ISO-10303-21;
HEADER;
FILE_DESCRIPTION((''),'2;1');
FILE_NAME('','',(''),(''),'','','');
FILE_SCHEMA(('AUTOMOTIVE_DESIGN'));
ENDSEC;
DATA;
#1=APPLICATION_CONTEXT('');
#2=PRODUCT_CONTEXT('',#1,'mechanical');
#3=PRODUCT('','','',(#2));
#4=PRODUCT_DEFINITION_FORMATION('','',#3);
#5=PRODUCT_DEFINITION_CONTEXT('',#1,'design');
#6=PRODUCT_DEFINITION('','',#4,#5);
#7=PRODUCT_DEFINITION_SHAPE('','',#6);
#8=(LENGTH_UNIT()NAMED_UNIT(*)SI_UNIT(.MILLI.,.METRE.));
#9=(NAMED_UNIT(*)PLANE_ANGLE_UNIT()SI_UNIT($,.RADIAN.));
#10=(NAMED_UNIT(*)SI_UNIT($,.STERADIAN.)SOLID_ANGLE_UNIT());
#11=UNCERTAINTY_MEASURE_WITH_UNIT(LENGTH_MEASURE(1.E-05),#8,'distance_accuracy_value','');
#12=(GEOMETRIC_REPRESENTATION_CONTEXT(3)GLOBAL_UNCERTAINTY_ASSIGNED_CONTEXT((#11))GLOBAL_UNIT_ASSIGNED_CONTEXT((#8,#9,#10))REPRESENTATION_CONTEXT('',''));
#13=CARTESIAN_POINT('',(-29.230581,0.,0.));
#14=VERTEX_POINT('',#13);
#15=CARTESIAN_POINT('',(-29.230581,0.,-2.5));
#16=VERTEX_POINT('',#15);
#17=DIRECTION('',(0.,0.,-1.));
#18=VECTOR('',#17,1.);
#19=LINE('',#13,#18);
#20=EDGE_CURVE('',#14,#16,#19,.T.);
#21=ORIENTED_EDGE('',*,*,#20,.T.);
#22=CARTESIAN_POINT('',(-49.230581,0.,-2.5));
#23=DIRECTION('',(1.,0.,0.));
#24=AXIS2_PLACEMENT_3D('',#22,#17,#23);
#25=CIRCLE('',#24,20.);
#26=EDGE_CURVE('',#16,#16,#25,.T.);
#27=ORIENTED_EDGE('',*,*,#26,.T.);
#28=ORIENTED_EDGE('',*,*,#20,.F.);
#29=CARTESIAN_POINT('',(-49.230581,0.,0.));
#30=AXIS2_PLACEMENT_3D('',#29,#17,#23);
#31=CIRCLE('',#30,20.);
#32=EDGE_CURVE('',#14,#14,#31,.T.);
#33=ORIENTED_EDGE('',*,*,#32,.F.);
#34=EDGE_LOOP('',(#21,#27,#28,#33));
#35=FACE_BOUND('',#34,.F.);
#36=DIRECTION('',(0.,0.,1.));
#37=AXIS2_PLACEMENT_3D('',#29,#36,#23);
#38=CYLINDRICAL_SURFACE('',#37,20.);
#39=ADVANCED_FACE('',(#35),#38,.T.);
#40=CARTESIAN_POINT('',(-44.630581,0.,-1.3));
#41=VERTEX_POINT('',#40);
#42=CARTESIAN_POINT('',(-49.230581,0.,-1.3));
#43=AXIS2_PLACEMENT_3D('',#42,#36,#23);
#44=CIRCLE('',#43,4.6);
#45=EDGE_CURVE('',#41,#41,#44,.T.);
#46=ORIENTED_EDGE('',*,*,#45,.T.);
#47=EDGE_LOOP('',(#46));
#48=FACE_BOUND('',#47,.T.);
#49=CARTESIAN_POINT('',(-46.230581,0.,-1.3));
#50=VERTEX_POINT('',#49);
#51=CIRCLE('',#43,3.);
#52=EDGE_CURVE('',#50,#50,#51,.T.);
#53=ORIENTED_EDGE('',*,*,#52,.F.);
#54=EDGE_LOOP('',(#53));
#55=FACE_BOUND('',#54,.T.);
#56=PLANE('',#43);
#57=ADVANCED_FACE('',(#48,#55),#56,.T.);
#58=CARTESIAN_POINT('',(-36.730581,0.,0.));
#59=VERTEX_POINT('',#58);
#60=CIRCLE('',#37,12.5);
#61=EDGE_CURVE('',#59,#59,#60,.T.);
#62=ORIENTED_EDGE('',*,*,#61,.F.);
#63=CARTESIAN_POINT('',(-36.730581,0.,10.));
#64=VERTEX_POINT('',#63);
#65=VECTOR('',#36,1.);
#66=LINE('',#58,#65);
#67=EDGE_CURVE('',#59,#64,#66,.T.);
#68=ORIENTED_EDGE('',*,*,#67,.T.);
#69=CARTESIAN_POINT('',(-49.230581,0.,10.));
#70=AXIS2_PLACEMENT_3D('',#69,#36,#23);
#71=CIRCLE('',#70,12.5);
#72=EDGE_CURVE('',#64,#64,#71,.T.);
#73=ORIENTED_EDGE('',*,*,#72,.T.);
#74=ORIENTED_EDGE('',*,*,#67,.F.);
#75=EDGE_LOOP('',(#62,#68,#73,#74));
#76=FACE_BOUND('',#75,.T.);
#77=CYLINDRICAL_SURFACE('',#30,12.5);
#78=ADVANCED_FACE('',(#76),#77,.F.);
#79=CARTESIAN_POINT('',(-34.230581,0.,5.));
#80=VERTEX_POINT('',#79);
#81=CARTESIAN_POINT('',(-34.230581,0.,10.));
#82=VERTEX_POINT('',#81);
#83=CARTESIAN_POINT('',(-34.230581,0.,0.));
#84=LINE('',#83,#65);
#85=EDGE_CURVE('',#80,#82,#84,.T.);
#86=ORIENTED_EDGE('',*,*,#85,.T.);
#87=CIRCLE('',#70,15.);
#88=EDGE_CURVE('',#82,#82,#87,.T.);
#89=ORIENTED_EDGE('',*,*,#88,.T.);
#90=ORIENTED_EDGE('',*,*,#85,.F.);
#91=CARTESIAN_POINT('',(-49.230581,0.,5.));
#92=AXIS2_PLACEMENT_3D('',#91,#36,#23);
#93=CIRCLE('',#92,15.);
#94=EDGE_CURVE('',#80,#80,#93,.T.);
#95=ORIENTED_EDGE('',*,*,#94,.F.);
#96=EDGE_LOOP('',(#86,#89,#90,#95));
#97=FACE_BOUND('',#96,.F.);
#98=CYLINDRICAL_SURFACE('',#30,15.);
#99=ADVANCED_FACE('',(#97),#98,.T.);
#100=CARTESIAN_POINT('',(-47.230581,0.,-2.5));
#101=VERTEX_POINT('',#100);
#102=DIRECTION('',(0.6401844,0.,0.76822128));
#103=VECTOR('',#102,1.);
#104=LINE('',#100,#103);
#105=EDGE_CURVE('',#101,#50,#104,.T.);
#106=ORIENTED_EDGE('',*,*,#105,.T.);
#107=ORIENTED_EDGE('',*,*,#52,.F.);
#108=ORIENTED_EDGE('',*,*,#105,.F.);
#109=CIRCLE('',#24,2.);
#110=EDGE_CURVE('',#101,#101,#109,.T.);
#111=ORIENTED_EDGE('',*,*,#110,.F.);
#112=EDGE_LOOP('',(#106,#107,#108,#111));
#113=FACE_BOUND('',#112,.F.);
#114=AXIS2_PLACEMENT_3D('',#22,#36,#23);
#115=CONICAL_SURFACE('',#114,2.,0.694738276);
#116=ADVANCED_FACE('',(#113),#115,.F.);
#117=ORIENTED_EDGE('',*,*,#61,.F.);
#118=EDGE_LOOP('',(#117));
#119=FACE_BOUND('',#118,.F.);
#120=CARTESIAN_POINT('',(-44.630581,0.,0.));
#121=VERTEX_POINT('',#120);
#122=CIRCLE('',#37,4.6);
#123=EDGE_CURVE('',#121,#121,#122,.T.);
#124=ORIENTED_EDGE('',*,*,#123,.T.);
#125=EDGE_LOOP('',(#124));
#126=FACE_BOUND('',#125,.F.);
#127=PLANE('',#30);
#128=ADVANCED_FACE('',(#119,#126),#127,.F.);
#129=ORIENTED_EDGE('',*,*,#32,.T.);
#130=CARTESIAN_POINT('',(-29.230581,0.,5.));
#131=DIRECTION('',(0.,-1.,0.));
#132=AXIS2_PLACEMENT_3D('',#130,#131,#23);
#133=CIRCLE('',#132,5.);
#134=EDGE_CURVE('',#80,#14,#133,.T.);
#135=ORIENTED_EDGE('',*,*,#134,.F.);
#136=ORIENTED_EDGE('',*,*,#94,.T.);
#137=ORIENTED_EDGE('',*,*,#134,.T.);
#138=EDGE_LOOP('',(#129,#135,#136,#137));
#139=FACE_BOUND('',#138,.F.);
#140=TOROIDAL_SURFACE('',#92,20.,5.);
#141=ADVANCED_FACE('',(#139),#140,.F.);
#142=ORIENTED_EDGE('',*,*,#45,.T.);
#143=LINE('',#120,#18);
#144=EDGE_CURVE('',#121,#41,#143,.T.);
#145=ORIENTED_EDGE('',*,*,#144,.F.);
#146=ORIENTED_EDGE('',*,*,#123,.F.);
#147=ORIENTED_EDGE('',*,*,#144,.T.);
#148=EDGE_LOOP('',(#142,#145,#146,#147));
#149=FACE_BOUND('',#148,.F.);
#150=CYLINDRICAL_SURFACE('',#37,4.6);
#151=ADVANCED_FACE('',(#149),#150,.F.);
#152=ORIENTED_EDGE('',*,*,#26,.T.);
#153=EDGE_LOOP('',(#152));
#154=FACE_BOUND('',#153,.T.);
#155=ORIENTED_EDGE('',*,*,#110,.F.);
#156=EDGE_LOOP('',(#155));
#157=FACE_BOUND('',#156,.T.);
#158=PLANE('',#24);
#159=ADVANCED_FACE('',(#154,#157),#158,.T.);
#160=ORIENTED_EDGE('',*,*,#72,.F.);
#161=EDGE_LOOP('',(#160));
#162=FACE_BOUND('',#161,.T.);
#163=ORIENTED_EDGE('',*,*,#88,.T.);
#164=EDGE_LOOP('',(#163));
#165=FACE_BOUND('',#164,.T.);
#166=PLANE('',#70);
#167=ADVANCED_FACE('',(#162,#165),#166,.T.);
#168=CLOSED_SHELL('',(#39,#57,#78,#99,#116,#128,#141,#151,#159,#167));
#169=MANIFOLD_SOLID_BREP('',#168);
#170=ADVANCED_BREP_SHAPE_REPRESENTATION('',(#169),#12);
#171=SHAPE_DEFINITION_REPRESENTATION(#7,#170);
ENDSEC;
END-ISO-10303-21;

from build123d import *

# Parameters (mm, degrees)
CYLINDER_R         = 12.5
CYLINDER_DEPTH     = 10
CYLINDER001_R      = 15
CYLINDER001_DEPTH  = 10
TORUS_R            = 5
TUBE_R             = 20
TUBE_R_2           = 15
TUBE_DEPTH         = 5
CIRCLE002_R        = 4.6
EXTRUSION002_DEPTH = 1.3
CIRCLE001_R        = 2
EXTRUSION001_DEPTH = 42.073439
CIRCLE_R           = 20
EXTRUSION_DEPTH    = 2.5


with BuildPart() as cylinder:
    # Cylinder → Cylinder (new body)
    with BuildSketch(Plane.XY):
        Circle(CYLINDER_R)
    extrude(amount=CYLINDER_DEPTH)


with BuildPart() as cut:
    # Cylinder001 → Cylinder001 (new body)
    with BuildSketch(Plane.XY):
        Circle(CYLINDER001_R)
    extrude(amount=CYLINDER001_DEPTH)

    # Cut: cut Cylinder
    add(cylinder.part, mode=Mode.SUBTRACT)


with BuildPart() as torus:
    # Torus → Torus (revolve)
    with BuildSketch(Plane(origin=(0, 0, 5), x_dir=(1, 0, 0), z_dir=(0, -1, 0))):
        with Locations((20, 0)):
            Circle(TORUS_R)
    revolve(axis=Axis((0, 0, 5), (0, 0, 1)))


with BuildPart() as fusion:
    # Tube → Tube (new body)
    with BuildSketch(Plane.XY):
        Circle(TUBE_R)
        Circle(TUBE_R_2, mode=Mode.SUBTRACT)
    extrude(amount=TUBE_DEPTH)

    # Cut001: cut Torus
    add(torus.part, mode=Mode.SUBTRACT)

    # Fusion: union Cut
    add(cut.part)


with BuildPart() as cone:
    # Cone → Cone (revolve)
    with BuildSketch(Plane(origin=(0, 0, -2.5), x_dir=(1, 0, 0), z_dir=(0, -1, 0))):
        Polygon((0, 0), (2, 0), (3, 1.2), (0, 1.2), align=None)
    revolve(axis=Axis((0, 0, -2.5), (0, 0, 1)))


with BuildPart() as extrusion002:
    # Circle002 → Extrusion002 (new body)
    with BuildSketch(Plane.XY):
        Circle(CIRCLE002_R)
    extrude(amount=-EXTRUSION002_DEPTH)


with BuildPart() as extrusion001:
    # Circle001 → Extrusion001 (new body)
    with BuildSketch(Plane(origin=(0, 0, -2.5), x_dir=(1, 0, 0), z_dir=(0, 0, -1))):
        Circle(CIRCLE001_R)
    extrude(amount=-EXTRUSION001_DEPTH)


with BuildPart() as fusion001001:
    # Circle → Extrusion (new body)
    with BuildSketch(Plane(origin=(0, 0, 0), x_dir=(1, 0, 0), z_dir=(0, 0, -1))):
        Circle(CIRCLE_R)
    extrude(amount=EXTRUSION_DEPTH)

    # Cut002: cut Extrusion001
    add(extrusion001.part, mode=Mode.SUBTRACT)

    # Cut003: cut Extrusion002
    add(extrusion002.part, mode=Mode.SUBTRACT)

    # Cut004: cut Cone
    add(cone.part, mode=Mode.SUBTRACT)

    # Fusion001: union Fusion
    add(fusion.part)


with BuildPart() as fusion001001_1:
    # Fusion001001 placement: moved
    add(fusion001001.part.moved(Location((-49.230581, 0, 0))))


solid = fusion001001_1.part
